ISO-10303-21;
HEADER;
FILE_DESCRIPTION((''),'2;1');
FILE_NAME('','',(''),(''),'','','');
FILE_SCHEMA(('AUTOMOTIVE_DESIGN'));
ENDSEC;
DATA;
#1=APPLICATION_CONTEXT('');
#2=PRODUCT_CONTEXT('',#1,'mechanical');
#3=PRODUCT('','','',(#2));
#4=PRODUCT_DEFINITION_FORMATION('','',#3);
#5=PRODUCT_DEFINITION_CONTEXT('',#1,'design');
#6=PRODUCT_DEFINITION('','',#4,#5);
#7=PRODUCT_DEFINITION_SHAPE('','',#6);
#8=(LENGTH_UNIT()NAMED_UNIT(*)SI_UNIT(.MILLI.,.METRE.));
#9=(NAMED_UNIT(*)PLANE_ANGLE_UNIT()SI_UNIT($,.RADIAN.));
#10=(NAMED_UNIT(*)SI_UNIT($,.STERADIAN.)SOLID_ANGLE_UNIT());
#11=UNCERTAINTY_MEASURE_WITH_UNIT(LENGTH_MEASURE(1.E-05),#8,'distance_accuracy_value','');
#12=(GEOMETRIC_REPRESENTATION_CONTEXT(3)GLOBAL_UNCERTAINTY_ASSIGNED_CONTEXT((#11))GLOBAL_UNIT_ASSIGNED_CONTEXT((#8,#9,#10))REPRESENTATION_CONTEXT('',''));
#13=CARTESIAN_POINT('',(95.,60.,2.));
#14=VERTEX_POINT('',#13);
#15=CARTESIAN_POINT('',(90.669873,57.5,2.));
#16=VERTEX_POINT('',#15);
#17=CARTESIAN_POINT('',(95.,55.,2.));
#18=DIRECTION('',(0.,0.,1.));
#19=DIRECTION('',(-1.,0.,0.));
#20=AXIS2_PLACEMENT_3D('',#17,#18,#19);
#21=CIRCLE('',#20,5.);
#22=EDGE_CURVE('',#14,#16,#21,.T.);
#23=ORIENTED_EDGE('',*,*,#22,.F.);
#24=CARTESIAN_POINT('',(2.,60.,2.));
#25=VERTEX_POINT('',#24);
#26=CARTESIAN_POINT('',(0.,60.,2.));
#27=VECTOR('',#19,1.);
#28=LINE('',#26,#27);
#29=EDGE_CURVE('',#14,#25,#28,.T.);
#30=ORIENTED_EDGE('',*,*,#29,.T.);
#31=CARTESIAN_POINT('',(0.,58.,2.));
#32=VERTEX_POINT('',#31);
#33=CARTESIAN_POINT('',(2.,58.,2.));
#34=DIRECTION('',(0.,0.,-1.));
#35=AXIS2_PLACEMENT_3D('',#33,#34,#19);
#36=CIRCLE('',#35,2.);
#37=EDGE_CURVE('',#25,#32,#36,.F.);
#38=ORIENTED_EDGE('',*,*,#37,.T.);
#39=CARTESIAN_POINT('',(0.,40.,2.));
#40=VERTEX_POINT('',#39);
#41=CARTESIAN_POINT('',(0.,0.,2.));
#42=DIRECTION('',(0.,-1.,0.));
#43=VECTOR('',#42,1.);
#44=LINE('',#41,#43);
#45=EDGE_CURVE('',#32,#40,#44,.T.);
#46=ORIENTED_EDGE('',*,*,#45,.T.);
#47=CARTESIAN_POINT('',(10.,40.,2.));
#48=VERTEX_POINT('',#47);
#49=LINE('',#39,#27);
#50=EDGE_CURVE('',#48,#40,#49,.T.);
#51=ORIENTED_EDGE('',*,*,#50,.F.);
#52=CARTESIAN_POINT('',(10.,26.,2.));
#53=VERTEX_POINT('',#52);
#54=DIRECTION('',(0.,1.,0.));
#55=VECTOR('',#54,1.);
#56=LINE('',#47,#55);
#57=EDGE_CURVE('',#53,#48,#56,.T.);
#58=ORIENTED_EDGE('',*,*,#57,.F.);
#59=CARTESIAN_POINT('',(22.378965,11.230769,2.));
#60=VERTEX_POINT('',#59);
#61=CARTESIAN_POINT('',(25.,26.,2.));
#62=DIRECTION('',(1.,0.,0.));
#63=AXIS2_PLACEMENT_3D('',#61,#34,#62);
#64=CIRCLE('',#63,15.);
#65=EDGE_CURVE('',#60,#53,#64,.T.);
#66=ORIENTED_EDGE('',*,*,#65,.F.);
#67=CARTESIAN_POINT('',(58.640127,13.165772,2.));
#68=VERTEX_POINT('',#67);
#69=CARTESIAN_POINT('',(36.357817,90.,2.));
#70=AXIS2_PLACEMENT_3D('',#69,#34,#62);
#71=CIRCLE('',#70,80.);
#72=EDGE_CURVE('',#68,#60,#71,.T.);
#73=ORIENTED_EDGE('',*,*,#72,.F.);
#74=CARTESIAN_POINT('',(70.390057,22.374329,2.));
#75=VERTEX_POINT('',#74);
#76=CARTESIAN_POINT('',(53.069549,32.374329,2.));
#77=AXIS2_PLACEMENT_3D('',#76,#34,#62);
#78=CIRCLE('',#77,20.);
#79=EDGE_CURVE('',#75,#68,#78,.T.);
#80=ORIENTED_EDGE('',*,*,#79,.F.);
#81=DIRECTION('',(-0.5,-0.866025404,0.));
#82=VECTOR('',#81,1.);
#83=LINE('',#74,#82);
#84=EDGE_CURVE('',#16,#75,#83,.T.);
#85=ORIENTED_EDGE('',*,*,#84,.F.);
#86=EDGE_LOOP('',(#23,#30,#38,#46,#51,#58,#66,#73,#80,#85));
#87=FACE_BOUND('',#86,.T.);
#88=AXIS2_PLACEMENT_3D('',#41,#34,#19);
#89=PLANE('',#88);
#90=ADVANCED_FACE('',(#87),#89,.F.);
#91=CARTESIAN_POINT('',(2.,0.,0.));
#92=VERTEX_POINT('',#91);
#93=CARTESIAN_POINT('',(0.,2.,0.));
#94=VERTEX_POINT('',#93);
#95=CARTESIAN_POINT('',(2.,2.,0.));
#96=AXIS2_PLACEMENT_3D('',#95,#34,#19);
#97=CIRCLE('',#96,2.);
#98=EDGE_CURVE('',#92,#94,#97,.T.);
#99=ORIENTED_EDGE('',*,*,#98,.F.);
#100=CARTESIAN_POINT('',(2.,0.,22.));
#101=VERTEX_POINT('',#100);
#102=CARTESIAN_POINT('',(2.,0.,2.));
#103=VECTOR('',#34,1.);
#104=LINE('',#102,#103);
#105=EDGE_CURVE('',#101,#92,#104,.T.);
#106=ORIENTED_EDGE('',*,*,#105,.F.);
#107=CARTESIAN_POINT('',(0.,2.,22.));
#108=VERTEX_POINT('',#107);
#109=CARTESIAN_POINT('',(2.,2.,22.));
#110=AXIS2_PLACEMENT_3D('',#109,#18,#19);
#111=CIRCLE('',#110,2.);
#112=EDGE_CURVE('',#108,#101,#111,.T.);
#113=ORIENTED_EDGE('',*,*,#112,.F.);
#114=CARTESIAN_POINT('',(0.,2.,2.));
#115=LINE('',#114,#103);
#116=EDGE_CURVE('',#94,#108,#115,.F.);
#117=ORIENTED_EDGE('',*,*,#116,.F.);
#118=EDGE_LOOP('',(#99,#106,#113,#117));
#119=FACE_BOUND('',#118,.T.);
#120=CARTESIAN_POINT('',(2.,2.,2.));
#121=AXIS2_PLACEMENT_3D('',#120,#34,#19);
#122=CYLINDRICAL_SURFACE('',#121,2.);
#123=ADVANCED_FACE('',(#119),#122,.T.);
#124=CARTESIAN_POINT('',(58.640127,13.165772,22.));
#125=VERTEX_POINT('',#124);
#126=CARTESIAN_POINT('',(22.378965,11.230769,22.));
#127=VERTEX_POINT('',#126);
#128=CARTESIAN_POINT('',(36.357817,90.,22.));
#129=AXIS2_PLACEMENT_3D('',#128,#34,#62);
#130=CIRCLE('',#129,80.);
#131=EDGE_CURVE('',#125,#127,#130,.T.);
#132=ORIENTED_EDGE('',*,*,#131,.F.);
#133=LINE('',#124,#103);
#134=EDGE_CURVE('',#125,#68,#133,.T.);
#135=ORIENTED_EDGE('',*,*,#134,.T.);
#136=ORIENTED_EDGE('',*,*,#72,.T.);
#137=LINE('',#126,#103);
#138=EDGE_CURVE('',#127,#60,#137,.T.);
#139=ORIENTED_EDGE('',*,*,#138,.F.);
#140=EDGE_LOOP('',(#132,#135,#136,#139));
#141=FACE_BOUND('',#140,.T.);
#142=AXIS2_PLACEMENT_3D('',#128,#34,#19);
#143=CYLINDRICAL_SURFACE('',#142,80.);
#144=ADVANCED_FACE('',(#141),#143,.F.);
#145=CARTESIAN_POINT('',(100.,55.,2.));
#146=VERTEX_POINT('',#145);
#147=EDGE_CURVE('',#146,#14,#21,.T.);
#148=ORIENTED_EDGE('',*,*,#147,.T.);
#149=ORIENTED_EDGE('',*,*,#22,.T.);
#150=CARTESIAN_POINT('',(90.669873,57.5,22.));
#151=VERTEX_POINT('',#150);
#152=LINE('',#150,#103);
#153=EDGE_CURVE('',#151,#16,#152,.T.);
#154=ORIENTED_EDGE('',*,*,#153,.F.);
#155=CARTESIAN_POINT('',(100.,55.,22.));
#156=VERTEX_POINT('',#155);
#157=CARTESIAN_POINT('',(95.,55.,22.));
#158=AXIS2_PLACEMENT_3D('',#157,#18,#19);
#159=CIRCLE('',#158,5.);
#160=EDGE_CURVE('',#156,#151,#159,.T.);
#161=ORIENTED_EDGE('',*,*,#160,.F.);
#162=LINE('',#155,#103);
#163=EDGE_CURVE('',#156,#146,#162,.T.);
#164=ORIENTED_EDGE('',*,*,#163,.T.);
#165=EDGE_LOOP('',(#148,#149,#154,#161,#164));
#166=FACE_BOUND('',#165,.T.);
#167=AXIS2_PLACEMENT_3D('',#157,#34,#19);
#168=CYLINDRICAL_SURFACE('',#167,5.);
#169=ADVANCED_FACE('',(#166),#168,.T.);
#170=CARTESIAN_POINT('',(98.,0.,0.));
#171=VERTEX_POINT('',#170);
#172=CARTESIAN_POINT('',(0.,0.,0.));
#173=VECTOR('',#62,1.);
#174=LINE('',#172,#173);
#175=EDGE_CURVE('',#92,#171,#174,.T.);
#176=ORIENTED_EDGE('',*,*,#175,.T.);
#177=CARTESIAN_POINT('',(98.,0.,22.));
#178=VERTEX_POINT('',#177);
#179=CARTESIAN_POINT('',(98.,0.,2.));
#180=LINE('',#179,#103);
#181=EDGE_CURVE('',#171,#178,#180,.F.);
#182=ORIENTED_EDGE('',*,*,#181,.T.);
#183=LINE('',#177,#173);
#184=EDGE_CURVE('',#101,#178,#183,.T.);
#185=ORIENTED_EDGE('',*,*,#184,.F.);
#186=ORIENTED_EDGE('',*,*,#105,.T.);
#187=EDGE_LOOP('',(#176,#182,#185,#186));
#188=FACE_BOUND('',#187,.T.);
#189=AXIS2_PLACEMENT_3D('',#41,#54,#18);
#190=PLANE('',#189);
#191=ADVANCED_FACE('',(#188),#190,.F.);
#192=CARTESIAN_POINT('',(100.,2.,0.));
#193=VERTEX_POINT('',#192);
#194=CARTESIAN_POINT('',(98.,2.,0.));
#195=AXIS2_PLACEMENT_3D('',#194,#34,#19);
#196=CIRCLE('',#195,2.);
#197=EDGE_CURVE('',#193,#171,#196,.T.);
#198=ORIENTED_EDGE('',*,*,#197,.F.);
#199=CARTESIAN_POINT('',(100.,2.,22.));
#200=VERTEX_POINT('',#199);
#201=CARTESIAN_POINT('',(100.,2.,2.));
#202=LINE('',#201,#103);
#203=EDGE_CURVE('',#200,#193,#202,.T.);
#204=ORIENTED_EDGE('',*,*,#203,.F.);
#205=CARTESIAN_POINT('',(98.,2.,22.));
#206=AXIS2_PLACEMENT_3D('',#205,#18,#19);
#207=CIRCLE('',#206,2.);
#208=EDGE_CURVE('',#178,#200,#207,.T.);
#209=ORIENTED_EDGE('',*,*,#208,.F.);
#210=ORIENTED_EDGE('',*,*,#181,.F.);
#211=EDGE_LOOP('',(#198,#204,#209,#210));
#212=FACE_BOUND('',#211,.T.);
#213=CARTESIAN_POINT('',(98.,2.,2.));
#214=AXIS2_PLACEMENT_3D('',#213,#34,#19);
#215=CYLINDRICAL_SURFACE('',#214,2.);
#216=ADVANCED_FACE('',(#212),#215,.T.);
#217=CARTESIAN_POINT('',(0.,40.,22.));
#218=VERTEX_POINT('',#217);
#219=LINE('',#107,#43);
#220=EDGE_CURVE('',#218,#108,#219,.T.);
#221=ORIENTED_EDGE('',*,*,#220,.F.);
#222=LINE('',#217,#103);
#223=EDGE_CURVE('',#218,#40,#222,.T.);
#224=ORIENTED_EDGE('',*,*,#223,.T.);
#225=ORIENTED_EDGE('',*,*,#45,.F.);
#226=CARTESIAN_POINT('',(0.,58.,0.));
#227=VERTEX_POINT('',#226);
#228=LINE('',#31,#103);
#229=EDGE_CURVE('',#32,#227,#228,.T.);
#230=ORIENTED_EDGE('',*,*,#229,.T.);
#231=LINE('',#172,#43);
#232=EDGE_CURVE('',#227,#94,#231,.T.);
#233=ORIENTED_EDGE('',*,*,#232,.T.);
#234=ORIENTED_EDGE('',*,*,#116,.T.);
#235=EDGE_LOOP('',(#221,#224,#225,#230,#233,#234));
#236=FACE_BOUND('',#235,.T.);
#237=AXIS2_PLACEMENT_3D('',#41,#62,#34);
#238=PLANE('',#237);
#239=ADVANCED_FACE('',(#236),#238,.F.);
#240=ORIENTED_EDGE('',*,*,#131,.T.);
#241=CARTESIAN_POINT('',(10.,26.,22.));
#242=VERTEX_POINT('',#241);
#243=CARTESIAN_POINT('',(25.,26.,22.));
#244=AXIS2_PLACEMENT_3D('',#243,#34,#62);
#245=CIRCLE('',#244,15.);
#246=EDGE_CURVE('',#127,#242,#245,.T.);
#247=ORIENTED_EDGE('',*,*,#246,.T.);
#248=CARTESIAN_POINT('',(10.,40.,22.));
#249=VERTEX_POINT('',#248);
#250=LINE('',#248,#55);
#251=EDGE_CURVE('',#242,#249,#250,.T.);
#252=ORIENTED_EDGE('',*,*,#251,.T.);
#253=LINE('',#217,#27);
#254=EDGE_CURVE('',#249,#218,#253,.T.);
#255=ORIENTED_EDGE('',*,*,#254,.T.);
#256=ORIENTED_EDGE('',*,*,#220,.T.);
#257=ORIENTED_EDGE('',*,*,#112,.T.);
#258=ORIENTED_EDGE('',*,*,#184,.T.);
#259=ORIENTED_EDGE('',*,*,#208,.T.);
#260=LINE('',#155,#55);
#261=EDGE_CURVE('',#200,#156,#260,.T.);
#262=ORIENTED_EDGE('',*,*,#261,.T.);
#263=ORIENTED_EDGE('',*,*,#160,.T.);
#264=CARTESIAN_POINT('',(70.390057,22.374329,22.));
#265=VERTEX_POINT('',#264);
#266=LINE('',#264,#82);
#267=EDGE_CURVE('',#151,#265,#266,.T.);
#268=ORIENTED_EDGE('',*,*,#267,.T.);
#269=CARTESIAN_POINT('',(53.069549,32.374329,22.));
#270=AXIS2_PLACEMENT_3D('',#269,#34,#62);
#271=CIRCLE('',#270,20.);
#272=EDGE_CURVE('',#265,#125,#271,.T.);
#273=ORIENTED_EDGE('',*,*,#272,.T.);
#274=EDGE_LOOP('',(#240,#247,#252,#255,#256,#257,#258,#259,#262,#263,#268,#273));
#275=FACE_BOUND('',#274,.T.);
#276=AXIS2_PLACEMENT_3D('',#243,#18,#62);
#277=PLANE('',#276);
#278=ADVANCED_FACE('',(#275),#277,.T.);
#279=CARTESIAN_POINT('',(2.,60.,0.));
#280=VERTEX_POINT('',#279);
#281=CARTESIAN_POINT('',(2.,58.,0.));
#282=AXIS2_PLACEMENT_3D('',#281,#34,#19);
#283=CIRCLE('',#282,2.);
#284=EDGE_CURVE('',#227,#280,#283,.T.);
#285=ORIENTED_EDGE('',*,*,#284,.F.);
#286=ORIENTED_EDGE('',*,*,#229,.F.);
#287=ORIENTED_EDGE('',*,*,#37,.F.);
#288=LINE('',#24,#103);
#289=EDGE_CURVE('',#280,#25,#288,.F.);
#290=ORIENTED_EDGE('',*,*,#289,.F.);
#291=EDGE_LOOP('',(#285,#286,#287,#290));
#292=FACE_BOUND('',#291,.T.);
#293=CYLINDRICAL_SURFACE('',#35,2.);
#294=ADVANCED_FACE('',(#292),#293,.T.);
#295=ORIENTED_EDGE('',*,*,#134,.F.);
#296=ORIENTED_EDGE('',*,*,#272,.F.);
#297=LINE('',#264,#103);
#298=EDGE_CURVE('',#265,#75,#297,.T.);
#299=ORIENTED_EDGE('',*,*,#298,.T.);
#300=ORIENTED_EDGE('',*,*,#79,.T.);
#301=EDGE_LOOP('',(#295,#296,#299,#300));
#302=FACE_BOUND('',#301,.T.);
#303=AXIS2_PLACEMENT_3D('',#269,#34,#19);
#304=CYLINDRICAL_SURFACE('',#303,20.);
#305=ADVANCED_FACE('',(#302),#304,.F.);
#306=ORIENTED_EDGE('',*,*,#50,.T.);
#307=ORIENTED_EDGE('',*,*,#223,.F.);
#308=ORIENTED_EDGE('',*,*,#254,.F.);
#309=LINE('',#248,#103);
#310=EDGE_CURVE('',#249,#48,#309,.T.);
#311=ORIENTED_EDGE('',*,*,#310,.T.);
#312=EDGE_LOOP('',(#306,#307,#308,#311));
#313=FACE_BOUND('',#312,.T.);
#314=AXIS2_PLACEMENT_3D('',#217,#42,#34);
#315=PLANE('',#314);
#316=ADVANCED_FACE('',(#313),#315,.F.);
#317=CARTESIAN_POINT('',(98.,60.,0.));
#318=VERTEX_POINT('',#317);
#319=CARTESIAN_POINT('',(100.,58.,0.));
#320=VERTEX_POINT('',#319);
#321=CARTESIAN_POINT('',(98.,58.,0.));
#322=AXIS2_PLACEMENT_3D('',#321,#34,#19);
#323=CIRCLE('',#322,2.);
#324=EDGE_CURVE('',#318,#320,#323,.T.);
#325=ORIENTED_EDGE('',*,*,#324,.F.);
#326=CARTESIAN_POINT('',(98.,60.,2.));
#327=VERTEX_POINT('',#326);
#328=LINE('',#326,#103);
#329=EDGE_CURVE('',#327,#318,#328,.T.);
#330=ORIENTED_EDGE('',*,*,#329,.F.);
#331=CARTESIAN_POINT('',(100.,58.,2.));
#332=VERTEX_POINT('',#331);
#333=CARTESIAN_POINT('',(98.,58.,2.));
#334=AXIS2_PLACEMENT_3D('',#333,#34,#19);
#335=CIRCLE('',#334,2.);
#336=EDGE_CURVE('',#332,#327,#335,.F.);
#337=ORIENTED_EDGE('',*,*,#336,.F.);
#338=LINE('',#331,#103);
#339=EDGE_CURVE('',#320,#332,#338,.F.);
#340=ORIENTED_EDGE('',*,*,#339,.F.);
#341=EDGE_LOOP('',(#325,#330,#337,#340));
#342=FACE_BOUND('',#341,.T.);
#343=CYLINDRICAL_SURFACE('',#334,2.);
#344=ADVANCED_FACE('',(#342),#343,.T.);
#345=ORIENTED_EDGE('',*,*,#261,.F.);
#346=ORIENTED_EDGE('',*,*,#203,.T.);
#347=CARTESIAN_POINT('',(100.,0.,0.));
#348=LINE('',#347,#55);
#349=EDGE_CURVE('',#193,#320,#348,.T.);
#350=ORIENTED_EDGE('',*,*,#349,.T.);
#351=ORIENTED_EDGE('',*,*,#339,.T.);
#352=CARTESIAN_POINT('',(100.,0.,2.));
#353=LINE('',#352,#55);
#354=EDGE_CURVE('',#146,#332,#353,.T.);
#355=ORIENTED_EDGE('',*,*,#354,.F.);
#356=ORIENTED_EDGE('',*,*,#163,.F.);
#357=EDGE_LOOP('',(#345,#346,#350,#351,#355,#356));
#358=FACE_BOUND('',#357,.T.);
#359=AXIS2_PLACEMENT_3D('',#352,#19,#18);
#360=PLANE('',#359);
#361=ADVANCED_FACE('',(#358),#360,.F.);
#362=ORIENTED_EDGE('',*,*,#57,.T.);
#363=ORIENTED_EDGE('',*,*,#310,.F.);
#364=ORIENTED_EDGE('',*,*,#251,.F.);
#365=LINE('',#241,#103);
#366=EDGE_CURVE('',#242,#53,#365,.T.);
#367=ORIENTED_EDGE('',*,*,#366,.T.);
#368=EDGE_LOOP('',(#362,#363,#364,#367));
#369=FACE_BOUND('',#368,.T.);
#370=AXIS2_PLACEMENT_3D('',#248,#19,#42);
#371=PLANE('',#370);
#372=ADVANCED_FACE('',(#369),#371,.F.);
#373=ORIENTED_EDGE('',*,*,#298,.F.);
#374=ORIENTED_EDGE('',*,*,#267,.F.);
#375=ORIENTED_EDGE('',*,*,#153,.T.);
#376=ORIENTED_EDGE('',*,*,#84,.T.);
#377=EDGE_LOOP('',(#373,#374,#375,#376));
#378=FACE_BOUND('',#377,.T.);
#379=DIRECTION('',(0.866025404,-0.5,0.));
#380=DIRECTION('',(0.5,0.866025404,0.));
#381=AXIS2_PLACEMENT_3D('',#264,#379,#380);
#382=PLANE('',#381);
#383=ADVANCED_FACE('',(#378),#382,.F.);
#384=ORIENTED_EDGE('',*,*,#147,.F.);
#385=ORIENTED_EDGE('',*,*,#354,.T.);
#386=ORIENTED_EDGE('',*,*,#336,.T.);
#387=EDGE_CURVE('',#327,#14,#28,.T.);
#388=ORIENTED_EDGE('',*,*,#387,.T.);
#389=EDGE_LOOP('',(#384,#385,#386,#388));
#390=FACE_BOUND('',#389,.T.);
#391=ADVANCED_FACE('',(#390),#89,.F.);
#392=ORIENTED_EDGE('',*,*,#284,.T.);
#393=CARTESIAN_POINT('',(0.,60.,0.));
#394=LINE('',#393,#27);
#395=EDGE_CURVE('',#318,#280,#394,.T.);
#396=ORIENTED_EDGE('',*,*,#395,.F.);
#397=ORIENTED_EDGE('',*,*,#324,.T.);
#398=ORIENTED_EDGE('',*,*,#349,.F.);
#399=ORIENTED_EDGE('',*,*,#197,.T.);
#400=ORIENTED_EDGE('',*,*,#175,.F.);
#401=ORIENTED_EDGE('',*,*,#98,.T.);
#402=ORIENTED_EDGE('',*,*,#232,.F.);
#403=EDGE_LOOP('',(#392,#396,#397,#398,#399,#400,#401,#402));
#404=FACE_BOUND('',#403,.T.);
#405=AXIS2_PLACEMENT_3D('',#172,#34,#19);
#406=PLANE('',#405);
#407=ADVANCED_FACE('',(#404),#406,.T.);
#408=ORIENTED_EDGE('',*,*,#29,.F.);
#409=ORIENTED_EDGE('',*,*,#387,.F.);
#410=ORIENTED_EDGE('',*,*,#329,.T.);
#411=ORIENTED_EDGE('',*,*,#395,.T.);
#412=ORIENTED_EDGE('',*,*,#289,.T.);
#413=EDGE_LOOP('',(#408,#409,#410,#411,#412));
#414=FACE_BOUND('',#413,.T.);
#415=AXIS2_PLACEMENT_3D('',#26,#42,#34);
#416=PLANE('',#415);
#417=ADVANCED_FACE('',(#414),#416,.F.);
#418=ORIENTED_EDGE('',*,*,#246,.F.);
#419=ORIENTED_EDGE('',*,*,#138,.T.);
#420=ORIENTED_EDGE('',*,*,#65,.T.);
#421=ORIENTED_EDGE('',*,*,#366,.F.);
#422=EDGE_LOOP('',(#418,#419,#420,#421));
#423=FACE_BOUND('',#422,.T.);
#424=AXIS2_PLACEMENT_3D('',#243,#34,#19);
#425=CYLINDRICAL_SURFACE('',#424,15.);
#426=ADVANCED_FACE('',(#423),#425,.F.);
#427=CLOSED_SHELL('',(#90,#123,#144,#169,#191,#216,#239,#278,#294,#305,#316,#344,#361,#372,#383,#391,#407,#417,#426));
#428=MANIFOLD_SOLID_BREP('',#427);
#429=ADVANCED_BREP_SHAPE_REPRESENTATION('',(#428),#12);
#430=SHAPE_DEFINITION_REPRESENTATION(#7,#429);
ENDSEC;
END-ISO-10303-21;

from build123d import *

# Parameters (mm, degrees)
CROQUIS1_W              = 100
CROQUIS1_H              = 60
SALIENTE_EXTRUIR1_DEPTH = 2
REDONDEO1_R             = 2
SALIENTE_EXTRUIR2_START = 20
SALIENTE_EXTRUIR2_DEPTH = 20


with BuildPart() as part:
    # Croquis1 → Saliente-Extruir1 (new body)
    with BuildSketch(Plane.XY):
        with Locations((50, 30)):
            Rectangle(CROQUIS1_W, CROQUIS1_H)
    extrude(amount=SALIENTE_EXTRUIR1_DEPTH)

    # Redondeo1
    redondeo1_edges = [part.edges().sort_by_distance(p)[0] for p in [
        (0, 60, 1),
        (100, 60, 1),
        (100, 0, 1),
        (0, 0, 1),
    ]]
    fillet(redondeo1_edges, radius=REDONDEO1_R)

    # Croquis2 → Saliente-Extruir2 (add)
    with BuildSketch(Plane.XY.offset(2).offset(SALIENTE_EXTRUIR2_START)):
        with BuildLine():
            Line((70.390057163, 22.374328634), (90.669872981, 57.5))
            ThreePointArc((90.669872981, 57.5), (96.294095226, 59.829629131), (100, 55))
            Line((100, 55), (100, 2))
            ThreePointArc((100, 2), (99.414213562, 0.585786438), (98, 0))
            Line((98, 0), (2, 0))
            ThreePointArc((2, 0), (0.585786438, 0.585786438), (0, 2))
            Line((0, 2), (0, 40))
            Line((0, 40), (10, 40))
            Line((10, 40), (10, 26))
            ThreePointArc((10, 26), (13.504011149, 16.364532168), (22.378965379, 11.230769231))
            ThreePointArc((22.378965379, 11.230769231), (40.620786832, 10.113661458), (58.640126552, 13.165771512))
            ThreePointArc((58.640126552, 13.165771512), (65.406478623, 16.632658786), (70.390057163, 22.374328634))
        make_face()
    extrude(amount=-SALIENTE_EXTRUIR2_DEPTH)


solid = part.part
